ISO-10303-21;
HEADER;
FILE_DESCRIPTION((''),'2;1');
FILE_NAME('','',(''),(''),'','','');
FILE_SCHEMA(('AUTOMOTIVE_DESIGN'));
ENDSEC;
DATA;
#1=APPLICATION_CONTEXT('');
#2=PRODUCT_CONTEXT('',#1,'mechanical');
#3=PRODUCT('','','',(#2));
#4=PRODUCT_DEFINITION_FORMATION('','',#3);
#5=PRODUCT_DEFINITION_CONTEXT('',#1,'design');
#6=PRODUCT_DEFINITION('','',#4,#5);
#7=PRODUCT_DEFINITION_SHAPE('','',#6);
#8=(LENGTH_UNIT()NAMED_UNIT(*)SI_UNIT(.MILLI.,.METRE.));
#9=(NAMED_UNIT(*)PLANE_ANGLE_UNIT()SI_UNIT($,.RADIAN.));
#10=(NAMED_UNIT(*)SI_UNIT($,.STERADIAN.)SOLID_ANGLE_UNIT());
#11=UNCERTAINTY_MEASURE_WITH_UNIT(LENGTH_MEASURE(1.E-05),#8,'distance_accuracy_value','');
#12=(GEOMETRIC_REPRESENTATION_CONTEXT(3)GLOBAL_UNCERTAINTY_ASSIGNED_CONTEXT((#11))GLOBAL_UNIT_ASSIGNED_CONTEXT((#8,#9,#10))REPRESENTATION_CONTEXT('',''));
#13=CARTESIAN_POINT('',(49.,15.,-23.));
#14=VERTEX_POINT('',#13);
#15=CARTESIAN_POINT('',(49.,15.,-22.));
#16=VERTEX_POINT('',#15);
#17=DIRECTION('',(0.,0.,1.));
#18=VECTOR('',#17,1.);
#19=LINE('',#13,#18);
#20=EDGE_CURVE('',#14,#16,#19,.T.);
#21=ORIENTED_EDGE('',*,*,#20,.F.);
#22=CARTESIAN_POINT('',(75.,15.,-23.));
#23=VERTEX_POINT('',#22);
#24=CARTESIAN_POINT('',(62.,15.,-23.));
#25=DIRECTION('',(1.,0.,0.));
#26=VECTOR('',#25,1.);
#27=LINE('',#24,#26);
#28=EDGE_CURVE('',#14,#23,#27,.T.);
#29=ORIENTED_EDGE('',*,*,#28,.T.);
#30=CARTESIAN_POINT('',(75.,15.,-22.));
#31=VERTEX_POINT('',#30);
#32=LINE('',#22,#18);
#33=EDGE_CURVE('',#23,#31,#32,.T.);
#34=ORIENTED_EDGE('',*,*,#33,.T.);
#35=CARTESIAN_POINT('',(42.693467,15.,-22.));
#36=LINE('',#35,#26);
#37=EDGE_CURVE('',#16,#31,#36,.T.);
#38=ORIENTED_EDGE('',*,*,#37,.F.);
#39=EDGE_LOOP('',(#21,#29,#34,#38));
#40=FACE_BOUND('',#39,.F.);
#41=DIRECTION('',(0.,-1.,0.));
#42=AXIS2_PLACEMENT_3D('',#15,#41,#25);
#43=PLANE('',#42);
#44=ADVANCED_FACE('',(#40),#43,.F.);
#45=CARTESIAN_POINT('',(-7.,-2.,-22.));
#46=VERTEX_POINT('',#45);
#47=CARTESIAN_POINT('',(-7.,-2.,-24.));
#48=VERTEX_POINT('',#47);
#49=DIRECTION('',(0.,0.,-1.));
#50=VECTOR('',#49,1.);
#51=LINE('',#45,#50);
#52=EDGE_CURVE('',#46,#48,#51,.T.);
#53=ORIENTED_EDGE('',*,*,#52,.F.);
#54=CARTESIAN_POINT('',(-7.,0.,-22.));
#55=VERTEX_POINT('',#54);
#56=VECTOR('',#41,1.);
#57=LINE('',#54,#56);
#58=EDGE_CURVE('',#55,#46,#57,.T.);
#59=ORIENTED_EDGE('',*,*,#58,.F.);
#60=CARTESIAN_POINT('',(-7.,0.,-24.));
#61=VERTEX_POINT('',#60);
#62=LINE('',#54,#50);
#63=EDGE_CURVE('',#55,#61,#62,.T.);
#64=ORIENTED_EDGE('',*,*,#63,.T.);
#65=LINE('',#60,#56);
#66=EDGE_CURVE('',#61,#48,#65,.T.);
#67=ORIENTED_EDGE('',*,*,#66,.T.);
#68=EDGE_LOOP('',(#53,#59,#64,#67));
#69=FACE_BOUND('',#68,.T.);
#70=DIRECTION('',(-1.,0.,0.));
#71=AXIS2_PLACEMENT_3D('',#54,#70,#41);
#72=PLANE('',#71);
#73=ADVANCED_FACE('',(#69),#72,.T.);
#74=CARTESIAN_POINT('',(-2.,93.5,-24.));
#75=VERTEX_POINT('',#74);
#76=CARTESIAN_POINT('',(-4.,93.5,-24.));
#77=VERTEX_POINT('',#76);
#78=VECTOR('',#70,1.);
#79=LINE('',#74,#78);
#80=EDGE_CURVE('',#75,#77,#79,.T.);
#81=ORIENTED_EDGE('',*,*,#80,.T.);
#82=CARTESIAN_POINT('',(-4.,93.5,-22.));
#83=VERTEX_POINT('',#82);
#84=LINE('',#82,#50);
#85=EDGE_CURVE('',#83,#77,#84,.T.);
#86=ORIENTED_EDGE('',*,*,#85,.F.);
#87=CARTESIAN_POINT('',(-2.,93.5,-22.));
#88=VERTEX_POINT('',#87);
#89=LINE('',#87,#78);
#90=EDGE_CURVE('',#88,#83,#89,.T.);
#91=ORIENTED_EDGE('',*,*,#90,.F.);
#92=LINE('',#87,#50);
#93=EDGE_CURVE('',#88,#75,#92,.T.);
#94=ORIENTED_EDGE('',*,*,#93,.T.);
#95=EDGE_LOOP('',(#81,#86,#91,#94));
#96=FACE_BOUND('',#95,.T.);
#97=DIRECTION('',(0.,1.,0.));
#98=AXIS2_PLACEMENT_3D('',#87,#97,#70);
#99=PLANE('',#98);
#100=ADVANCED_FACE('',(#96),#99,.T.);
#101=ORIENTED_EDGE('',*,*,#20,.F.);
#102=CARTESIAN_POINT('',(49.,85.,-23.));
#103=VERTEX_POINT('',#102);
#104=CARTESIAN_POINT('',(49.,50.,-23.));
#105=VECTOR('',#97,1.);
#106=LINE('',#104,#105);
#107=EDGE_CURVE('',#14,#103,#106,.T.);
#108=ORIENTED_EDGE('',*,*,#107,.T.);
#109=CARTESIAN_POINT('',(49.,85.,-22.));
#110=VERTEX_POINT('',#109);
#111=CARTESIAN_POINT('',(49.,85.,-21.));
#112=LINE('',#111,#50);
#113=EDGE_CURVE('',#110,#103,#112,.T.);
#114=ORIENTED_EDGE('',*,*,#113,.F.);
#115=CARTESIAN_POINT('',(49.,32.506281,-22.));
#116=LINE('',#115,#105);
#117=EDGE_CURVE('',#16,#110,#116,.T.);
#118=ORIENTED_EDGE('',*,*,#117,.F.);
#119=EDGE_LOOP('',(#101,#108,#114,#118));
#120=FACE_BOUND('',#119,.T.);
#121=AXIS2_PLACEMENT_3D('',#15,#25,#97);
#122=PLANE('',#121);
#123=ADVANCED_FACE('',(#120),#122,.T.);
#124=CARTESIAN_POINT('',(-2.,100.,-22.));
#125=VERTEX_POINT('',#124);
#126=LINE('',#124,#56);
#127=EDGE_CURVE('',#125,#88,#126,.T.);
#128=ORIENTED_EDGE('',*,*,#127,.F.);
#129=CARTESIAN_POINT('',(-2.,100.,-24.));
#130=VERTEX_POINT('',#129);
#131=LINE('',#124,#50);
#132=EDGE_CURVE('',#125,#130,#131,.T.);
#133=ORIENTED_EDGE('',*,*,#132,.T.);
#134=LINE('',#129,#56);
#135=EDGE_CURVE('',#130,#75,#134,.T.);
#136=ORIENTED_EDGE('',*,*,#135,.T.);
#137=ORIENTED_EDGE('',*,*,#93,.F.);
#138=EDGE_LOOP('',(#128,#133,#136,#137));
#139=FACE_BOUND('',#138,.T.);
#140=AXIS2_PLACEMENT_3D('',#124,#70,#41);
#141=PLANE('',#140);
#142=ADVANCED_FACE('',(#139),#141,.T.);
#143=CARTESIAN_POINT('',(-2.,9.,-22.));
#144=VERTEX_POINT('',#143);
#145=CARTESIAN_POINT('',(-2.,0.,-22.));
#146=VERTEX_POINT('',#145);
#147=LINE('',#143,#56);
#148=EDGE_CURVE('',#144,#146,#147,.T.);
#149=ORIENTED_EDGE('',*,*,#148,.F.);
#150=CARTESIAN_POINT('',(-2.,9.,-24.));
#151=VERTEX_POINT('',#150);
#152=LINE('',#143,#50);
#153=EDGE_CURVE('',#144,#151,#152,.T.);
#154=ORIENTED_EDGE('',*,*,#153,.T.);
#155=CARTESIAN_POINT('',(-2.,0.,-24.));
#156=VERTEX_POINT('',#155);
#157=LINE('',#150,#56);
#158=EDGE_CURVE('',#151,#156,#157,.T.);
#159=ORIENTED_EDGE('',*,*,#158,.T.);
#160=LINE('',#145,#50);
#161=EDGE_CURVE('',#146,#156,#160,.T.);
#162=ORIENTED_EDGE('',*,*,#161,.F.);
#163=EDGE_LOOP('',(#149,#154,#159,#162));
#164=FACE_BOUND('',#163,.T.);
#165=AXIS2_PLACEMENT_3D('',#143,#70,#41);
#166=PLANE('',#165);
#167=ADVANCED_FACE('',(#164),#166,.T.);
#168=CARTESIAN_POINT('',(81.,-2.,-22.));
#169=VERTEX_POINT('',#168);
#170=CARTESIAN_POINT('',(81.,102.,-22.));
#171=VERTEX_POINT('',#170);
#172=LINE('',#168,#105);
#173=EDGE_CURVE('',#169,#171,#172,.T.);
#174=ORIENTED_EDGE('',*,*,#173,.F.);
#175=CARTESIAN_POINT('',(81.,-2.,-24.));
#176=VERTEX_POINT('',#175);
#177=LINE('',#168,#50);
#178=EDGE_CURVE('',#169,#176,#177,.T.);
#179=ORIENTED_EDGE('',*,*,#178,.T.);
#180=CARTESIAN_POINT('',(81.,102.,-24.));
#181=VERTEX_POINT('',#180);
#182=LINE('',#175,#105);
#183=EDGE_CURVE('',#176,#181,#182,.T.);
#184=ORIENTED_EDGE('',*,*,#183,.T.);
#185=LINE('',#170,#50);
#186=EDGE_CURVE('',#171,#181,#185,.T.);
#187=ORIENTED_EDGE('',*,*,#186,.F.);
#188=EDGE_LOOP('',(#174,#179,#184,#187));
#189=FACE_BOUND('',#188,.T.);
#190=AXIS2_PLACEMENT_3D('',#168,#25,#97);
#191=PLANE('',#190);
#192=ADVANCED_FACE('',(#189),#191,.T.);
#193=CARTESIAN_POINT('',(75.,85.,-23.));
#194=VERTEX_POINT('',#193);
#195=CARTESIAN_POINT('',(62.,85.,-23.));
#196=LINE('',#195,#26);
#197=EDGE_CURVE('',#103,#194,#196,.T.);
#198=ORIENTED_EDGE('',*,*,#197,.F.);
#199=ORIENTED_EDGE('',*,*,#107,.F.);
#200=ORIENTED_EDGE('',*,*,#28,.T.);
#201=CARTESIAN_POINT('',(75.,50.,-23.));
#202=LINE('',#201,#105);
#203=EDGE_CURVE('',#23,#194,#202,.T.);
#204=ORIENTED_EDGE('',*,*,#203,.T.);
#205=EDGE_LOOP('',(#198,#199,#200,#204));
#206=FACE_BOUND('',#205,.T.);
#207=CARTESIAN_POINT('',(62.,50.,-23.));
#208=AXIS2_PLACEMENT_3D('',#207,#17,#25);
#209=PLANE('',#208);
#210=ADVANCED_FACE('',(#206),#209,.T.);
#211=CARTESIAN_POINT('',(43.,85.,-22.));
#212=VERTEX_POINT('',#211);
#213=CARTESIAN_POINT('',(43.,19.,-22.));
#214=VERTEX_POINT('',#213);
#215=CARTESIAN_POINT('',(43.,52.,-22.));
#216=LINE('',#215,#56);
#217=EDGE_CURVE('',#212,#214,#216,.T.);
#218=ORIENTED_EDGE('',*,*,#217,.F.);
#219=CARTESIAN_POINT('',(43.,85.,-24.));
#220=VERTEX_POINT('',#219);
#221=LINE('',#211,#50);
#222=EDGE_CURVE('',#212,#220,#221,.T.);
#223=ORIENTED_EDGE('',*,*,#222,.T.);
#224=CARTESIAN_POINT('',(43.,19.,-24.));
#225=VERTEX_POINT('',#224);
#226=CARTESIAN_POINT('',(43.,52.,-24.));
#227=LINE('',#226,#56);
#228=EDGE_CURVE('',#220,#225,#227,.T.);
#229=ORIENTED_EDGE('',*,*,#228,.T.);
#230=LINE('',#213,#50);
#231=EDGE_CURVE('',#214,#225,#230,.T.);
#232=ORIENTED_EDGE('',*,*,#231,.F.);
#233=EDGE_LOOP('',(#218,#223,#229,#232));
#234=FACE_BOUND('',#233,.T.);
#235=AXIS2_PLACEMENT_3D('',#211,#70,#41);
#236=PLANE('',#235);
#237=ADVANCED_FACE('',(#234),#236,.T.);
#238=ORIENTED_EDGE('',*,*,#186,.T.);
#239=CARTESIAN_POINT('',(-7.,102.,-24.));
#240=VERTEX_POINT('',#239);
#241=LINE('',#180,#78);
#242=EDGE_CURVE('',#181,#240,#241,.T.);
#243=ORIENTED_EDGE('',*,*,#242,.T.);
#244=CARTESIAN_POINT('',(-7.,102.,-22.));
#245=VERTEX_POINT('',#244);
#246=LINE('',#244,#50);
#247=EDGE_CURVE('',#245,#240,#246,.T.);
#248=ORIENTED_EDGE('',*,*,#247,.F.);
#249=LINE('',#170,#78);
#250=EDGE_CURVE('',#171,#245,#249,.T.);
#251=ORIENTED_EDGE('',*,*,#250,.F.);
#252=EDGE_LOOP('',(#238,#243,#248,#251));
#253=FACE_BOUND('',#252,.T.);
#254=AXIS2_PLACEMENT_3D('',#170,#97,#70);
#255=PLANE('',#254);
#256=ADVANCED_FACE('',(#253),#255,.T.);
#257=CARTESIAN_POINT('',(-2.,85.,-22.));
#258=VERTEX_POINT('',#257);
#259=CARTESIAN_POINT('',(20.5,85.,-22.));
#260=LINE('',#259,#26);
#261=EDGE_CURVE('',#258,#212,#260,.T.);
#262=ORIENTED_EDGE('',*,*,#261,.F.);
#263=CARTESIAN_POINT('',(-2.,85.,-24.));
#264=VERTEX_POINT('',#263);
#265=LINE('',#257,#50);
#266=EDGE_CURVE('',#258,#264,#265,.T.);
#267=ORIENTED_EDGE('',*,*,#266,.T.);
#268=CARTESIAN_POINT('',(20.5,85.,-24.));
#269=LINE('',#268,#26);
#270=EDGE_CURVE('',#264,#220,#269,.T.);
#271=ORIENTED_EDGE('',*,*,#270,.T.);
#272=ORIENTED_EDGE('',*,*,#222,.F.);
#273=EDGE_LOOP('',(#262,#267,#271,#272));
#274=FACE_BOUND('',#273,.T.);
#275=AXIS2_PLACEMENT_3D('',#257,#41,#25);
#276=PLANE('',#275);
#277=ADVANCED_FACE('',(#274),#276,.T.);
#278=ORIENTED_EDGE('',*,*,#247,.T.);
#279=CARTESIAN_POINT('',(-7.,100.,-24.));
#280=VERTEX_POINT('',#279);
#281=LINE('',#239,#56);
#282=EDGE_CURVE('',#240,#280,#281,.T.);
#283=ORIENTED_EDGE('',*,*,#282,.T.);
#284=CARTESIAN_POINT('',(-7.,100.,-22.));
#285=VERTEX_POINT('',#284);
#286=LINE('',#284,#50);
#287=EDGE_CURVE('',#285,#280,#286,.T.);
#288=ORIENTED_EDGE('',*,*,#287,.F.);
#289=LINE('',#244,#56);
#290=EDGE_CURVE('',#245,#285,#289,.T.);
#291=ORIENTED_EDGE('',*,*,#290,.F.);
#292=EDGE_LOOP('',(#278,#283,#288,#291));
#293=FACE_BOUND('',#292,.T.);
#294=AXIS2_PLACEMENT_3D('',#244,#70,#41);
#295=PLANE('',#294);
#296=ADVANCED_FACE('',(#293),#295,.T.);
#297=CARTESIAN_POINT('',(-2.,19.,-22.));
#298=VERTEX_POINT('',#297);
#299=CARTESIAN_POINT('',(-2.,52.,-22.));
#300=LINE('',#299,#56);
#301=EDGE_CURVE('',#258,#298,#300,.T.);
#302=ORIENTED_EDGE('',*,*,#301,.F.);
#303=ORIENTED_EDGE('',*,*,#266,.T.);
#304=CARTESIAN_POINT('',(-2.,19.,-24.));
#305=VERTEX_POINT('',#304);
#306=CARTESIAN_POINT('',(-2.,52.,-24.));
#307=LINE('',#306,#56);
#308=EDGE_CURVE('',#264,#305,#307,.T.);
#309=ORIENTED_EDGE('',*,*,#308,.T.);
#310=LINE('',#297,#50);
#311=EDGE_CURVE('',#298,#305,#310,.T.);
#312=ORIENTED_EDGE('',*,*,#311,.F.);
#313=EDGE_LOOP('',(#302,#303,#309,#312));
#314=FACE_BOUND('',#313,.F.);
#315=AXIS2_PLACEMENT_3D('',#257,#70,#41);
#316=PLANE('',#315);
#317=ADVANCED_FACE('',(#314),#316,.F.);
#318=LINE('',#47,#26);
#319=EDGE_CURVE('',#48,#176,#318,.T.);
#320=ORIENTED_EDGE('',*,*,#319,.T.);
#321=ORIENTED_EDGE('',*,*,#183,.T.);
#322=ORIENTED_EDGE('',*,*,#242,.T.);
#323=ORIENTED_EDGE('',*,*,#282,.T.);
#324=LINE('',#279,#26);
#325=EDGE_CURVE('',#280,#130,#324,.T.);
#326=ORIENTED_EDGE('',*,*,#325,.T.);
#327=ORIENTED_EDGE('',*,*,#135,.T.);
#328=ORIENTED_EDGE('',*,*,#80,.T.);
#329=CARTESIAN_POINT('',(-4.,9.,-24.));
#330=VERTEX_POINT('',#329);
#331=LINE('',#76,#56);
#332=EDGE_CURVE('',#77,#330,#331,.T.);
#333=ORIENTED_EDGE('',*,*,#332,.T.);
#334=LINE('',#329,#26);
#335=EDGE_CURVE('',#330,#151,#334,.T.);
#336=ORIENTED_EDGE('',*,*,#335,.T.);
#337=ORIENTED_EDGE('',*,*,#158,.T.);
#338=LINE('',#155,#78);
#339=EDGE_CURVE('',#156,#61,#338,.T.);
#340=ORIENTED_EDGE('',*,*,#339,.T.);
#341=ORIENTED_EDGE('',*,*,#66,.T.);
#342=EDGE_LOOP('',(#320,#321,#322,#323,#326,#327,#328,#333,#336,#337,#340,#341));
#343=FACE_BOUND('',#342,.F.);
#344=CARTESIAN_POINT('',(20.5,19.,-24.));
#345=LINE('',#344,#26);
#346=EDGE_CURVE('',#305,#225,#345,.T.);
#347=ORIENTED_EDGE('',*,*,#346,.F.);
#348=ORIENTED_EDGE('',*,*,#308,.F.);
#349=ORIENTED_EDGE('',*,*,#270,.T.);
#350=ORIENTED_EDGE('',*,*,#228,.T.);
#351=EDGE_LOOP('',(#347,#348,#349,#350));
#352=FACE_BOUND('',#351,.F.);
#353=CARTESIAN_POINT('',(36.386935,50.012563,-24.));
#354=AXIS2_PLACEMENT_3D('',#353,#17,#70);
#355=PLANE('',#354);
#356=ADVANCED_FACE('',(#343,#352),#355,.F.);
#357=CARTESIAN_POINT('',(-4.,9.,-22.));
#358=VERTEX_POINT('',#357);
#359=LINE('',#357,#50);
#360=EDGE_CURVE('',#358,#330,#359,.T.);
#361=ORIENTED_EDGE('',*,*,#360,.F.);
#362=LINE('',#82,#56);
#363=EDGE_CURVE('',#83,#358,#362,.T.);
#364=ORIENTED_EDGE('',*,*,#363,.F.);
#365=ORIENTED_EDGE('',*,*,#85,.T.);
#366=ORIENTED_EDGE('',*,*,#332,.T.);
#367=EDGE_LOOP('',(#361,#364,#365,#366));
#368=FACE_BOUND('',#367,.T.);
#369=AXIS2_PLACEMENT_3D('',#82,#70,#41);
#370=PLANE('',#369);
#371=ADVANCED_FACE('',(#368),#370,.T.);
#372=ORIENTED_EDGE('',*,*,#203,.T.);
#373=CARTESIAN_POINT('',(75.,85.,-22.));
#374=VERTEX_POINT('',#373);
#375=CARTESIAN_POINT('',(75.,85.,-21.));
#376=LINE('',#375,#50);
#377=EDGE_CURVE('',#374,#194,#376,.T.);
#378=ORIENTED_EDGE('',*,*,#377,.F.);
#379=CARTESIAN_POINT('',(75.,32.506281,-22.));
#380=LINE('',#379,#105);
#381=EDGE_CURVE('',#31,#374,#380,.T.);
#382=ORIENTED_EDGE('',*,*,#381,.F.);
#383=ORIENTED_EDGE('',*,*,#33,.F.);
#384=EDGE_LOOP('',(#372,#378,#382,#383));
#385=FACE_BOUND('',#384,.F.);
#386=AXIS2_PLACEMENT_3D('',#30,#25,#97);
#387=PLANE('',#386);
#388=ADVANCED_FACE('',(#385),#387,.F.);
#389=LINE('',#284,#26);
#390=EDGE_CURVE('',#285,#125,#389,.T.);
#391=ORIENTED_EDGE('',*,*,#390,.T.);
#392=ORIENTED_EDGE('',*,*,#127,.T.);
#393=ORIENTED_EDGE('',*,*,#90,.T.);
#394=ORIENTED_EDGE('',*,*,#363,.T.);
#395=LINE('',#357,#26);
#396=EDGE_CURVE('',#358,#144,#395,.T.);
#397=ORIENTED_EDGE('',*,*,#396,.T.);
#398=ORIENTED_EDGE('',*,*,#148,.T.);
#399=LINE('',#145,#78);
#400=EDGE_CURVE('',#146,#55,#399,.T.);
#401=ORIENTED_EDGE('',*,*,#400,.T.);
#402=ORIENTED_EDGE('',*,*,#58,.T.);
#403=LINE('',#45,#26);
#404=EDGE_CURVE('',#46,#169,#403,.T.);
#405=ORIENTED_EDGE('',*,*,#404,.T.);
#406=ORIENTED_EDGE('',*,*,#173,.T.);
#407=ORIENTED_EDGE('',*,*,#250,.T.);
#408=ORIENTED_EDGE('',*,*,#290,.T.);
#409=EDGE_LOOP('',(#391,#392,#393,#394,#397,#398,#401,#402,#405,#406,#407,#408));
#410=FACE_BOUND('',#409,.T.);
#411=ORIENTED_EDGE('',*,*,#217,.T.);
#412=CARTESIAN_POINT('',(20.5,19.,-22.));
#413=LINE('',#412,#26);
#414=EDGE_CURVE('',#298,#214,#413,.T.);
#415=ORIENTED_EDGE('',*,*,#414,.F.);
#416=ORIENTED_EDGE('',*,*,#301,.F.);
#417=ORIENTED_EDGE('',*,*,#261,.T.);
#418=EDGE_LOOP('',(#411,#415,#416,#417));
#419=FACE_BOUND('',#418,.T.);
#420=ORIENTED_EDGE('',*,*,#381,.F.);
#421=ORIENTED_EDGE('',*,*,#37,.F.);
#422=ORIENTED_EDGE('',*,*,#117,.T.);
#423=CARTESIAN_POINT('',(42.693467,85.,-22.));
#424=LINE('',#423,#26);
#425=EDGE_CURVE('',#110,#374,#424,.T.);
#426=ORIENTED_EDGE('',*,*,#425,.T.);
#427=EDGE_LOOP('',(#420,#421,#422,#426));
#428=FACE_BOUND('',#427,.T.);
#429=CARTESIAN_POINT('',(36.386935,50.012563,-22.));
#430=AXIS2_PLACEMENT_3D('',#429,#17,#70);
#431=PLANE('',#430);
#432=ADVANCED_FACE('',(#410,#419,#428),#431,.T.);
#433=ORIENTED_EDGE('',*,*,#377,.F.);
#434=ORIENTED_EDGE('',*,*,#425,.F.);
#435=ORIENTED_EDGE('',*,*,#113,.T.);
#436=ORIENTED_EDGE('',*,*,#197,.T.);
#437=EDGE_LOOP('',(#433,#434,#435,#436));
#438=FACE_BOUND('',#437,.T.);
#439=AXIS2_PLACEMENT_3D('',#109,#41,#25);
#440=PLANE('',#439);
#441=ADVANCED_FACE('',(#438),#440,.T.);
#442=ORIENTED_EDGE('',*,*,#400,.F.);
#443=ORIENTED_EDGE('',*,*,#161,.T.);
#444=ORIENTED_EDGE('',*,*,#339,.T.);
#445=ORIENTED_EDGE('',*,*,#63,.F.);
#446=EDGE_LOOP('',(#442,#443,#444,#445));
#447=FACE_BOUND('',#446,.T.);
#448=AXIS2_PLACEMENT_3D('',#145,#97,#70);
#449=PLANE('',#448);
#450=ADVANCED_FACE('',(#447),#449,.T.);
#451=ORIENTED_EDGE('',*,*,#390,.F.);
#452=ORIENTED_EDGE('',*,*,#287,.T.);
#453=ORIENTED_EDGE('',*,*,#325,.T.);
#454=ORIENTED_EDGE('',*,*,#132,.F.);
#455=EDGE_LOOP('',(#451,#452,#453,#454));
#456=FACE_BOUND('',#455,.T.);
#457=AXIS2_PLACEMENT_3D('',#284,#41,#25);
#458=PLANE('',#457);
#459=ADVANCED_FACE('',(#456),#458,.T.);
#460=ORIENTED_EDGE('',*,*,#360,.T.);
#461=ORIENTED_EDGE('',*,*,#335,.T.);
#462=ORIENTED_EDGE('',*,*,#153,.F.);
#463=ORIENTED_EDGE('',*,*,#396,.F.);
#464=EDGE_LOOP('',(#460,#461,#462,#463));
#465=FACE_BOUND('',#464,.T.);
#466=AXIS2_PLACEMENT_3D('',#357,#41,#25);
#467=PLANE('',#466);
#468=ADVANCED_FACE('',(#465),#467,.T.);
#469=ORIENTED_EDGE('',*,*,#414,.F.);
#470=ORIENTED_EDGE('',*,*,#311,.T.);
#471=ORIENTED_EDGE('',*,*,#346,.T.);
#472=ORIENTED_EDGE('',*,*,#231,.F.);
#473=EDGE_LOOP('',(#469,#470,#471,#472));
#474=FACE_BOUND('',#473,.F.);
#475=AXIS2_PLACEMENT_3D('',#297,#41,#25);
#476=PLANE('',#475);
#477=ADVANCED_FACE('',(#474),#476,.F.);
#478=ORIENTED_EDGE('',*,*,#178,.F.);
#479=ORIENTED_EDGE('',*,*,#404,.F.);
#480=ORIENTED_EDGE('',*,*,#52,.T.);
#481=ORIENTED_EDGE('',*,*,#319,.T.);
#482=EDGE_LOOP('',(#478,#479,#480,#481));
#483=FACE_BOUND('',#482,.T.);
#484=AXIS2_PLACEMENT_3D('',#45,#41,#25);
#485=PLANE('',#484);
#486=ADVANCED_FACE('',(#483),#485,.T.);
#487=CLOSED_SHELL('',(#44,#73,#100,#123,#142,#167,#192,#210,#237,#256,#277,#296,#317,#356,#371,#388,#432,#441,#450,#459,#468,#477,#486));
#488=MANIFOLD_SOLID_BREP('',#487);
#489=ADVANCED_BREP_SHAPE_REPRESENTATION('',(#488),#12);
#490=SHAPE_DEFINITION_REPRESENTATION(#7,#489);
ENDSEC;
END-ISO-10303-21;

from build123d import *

# Parameters (mm, degrees)
SKETCH093_W      = 26
SKETCH093_H      = 70
EXTRUDE081_DEPTH = 1
SKETCH_W         = 45
SKETCH_H         = 66
EXTRUDE_DEPTH    = 2


with BuildPart() as extrude081:
    # Sketch093 → Extrude081 (new body, symmetric)
    with BuildSketch(Plane.XY.offset(-22)):
        with Locations((62, 50)):
            Rectangle(SKETCH093_W, SKETCH093_H)
    extrude(amount=EXTRUDE081_DEPTH, both=True)


with BuildPart() as cut012:
    # Sketch → Extrude (new body)
    with BuildSketch(Plane(origin=(0, 0, -22), x_dir=(1, 0, 0), z_dir=(0, 0, -1))):
        Polygon((-7, 2), (81, 2), (81, -102), (-7, -102), (-7, -100), (-2, -100), (-2, -93.5), (-4, -93.5), (-4, -9), (-2, -9), (-2, 0), (-7, 0), align=None)
        with Locations((20.5, -52)):
            Rectangle(SKETCH_W, SKETCH_H, mode=Mode.SUBTRACT)
    extrude(amount=EXTRUDE_DEPTH)

    # Cut012: cut Extrude081
    add(extrude081.part, mode=Mode.SUBTRACT)


solid = cut012.part
